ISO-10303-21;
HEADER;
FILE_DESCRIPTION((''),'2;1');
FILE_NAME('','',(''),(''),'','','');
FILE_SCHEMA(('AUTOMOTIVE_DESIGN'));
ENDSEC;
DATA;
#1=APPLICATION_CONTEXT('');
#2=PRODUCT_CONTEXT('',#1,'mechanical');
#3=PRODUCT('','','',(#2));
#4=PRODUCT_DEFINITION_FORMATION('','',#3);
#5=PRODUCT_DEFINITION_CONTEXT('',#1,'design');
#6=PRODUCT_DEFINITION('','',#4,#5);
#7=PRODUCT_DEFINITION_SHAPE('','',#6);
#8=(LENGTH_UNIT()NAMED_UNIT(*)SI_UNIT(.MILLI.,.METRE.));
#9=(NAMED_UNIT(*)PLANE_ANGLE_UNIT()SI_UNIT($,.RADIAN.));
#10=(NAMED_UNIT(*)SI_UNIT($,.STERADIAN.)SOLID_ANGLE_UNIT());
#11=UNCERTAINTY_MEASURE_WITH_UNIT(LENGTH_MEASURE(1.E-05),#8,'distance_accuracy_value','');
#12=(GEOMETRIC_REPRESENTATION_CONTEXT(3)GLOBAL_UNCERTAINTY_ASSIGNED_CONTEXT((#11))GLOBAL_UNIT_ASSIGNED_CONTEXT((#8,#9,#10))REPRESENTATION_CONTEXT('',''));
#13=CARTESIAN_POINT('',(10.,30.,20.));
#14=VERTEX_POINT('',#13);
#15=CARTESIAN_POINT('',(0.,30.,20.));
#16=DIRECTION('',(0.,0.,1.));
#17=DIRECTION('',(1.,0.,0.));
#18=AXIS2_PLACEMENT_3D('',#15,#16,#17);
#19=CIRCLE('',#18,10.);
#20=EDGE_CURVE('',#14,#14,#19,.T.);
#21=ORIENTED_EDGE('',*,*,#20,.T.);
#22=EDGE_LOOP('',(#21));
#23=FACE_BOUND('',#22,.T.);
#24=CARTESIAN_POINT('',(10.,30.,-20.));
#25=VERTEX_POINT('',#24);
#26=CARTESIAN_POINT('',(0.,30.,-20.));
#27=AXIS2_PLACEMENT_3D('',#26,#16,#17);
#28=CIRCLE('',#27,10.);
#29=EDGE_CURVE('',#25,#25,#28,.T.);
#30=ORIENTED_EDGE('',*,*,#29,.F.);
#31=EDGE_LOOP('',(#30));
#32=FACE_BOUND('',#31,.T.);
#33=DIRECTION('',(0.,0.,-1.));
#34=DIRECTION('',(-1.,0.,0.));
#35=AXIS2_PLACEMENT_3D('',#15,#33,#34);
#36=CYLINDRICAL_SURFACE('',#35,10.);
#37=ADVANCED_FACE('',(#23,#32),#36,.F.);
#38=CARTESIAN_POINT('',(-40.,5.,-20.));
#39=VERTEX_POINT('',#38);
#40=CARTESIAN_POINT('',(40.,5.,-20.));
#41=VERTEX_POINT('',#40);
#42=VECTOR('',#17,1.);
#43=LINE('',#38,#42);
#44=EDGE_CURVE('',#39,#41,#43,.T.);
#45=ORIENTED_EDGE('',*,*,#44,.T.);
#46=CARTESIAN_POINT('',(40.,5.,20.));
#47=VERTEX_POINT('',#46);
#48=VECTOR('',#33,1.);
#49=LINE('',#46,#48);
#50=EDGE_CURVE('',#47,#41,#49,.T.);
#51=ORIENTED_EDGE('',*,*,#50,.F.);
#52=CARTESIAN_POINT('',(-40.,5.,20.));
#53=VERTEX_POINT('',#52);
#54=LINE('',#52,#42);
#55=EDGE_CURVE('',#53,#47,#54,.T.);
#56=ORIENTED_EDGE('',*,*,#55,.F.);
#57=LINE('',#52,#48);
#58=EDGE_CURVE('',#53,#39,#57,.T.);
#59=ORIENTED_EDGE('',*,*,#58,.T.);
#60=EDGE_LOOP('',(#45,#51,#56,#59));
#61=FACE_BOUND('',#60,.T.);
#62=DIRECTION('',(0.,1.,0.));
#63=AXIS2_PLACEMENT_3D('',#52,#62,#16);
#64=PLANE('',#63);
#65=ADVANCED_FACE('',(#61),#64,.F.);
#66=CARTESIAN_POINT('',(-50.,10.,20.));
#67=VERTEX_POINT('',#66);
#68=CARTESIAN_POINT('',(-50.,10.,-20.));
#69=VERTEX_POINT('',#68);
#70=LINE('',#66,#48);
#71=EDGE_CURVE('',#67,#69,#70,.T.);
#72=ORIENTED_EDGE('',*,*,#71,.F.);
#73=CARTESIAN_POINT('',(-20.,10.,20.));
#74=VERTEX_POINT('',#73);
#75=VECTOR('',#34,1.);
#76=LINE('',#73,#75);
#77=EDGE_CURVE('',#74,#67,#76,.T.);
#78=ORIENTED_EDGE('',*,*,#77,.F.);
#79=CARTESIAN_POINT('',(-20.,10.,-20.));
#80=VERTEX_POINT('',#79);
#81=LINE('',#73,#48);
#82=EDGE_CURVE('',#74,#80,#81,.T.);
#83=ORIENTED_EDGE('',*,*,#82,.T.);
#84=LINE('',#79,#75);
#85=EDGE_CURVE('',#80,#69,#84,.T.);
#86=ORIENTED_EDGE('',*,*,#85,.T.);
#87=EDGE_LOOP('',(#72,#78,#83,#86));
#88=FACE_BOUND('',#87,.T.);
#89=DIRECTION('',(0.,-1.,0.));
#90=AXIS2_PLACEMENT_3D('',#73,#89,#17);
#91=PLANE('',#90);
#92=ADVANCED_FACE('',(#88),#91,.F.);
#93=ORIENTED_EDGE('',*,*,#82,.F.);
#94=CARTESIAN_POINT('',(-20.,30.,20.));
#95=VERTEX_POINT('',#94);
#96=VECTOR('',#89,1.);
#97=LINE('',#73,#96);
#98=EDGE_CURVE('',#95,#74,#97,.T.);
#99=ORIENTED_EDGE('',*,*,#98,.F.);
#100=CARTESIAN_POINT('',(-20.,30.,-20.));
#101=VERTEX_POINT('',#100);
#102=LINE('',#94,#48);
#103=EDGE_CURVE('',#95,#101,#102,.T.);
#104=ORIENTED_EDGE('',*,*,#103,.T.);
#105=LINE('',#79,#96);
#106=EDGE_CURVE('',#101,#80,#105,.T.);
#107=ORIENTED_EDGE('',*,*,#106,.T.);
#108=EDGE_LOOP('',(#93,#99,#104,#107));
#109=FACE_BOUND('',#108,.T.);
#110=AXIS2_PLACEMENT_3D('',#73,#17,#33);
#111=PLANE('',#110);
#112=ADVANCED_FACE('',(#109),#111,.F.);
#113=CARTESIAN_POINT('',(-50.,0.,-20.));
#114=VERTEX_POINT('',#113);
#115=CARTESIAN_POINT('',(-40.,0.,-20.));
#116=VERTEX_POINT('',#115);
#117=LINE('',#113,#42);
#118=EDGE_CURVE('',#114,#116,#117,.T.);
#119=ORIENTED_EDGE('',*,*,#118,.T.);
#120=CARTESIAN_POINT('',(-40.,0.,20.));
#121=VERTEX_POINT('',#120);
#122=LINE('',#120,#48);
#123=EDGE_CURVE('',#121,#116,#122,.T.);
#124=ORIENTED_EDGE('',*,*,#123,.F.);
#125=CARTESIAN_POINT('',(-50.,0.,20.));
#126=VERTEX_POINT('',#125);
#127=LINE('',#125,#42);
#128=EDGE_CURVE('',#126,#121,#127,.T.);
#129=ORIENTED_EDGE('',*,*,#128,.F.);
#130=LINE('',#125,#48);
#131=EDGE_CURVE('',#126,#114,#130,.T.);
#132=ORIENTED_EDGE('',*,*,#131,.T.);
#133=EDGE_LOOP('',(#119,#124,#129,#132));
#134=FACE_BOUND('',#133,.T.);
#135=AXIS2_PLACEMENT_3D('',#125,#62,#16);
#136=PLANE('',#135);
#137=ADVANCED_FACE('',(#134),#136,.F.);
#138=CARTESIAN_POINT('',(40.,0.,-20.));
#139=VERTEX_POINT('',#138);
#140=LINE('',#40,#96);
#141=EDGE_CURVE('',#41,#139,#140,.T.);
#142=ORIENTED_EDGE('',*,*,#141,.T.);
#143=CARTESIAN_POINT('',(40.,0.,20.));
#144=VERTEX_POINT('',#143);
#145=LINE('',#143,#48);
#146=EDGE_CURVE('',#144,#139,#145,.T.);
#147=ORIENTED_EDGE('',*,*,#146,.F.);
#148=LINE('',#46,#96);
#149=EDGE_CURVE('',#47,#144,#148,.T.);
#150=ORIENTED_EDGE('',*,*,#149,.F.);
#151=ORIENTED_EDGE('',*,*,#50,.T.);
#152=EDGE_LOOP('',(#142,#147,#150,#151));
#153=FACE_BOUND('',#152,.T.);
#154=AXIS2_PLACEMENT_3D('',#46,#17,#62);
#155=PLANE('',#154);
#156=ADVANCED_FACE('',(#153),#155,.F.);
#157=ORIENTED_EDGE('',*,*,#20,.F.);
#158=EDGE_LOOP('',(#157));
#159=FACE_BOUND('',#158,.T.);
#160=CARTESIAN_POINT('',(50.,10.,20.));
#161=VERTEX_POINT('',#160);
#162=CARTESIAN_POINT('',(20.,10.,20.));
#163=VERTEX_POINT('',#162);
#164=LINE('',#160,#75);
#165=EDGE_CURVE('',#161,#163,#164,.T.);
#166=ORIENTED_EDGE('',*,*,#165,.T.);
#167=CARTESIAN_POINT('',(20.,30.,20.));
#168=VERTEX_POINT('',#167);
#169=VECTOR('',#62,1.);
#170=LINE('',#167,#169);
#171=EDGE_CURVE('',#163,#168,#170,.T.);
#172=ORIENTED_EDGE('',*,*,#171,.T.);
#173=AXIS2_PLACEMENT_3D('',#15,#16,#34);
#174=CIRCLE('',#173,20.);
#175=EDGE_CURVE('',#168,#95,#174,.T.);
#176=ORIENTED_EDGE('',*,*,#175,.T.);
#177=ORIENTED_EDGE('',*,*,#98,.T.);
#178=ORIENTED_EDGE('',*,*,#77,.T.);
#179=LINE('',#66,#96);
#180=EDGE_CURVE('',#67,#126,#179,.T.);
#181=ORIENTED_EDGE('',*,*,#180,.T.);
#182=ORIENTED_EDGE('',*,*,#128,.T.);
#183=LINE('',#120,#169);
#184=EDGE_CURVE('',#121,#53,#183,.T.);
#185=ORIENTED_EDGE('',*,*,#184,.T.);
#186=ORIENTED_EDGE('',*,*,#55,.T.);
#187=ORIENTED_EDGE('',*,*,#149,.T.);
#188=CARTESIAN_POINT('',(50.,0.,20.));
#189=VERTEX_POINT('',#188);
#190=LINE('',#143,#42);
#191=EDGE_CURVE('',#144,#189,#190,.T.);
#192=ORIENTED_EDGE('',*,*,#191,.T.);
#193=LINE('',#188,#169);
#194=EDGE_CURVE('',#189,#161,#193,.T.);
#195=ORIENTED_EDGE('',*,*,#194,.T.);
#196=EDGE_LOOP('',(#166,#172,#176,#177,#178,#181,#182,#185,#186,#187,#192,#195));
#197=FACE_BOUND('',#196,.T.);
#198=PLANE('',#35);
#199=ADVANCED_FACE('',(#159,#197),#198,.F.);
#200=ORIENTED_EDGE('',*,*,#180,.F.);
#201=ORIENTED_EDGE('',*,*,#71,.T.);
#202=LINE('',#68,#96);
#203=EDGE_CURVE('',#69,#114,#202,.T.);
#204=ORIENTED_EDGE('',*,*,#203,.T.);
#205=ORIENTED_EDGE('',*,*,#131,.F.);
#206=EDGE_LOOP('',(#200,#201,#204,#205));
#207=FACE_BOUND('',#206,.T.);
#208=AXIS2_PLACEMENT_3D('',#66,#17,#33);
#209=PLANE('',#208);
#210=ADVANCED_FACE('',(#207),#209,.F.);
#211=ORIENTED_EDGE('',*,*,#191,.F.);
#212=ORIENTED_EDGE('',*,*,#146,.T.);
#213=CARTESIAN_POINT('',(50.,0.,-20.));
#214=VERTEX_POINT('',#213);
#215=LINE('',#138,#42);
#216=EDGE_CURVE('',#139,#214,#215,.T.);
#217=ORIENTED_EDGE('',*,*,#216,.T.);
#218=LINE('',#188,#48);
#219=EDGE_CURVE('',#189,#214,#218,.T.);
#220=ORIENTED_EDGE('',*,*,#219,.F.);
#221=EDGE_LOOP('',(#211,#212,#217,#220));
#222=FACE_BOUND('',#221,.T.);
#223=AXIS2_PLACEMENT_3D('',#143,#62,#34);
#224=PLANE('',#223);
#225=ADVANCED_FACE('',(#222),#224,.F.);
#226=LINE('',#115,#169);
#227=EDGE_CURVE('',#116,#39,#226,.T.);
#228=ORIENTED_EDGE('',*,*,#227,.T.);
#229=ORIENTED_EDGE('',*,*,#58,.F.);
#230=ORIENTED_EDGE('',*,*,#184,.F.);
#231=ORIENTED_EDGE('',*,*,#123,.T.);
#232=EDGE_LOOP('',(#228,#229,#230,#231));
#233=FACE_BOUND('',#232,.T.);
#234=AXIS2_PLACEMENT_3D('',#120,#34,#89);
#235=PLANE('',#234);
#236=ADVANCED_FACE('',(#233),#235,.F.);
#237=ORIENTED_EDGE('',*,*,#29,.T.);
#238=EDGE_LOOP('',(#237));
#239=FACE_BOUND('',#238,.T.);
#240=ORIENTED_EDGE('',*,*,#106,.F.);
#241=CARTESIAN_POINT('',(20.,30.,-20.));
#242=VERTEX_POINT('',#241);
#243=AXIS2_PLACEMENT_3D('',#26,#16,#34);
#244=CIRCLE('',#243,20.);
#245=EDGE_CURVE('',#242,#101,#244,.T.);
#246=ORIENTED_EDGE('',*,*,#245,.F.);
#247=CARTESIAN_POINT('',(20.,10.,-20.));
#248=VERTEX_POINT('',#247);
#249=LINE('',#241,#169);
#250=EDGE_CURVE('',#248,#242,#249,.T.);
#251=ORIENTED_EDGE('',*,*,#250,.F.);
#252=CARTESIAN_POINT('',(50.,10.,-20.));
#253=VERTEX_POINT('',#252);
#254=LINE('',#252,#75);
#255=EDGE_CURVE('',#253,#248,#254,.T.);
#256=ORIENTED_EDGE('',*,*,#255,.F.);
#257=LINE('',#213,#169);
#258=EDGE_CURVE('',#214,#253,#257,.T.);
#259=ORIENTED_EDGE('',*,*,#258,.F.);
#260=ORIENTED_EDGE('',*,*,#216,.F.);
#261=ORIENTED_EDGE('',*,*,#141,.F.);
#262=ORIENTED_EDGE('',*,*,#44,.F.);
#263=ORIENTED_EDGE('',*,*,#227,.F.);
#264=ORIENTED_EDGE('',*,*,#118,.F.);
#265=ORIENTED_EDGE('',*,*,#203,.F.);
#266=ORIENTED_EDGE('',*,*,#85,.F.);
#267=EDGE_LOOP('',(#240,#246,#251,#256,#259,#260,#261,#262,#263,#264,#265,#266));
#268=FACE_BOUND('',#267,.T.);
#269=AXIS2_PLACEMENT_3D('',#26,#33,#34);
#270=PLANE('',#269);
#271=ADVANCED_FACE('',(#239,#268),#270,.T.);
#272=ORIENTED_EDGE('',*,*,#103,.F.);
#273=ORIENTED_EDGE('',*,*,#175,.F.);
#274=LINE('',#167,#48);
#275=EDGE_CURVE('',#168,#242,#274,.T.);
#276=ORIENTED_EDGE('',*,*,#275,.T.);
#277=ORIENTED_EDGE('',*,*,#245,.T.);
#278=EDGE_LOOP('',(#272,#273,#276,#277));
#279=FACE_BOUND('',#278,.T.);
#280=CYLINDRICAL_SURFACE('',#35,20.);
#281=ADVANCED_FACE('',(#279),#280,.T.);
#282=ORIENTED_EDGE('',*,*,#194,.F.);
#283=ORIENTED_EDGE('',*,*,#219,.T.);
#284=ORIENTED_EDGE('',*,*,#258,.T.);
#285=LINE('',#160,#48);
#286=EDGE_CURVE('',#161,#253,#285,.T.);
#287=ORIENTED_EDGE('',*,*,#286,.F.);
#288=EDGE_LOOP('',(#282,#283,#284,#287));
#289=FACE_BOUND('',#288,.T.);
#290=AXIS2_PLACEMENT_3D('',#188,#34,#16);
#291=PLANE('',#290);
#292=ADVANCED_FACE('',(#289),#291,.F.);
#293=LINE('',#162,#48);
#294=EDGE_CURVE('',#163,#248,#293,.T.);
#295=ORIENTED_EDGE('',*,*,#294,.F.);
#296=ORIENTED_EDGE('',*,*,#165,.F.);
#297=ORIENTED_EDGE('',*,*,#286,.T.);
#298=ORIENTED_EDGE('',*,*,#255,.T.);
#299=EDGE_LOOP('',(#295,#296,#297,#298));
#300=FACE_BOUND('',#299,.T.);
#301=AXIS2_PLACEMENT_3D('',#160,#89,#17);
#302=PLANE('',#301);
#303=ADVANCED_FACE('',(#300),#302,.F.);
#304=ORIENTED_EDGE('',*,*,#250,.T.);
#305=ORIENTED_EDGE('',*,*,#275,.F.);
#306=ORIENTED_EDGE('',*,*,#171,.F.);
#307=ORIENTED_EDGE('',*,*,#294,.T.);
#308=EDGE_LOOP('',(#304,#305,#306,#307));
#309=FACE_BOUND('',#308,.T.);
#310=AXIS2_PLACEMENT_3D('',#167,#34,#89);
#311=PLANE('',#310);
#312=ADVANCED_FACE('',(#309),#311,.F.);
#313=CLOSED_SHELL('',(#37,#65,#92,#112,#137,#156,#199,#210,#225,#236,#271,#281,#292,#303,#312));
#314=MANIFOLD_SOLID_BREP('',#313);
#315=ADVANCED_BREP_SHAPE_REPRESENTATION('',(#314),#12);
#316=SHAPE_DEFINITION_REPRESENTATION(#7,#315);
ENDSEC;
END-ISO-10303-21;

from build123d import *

# Parameters (mm, degrees)
SKETCH1_R           = 10
BOSS_EXTRUDE1_DEPTH = 20


with BuildPart() as part:
    # Sketch1 → Boss-Extrude1 (new, symmetric)
    with BuildSketch(Plane.XY):
        with BuildLine():
            Line((50, 0), (50, 10))
            Line((50, 10), (20, 10))
            Line((20, 10), (20, 30))
            ThreePointArc((20, 30), (0, 50), (-20, 30))
            Line((-20, 30), (-20, 10))
            Line((-20, 10), (-50, 10))
            Line((-50, 10), (-50, 0))
            Line((-50, 0), (-40, 0))
            Line((-40, 0), (-40, 5))
            Line((-40, 5), (40, 5))
            Line((40, 5), (40, 0))
            Line((40, 0), (50, 0))
        make_face()
        with Locations((0, 30)):
            Circle(SKETCH1_R, mode=Mode.SUBTRACT)
    extrude(amount=BOSS_EXTRUDE1_DEPTH, both=True)


solid = part.part
